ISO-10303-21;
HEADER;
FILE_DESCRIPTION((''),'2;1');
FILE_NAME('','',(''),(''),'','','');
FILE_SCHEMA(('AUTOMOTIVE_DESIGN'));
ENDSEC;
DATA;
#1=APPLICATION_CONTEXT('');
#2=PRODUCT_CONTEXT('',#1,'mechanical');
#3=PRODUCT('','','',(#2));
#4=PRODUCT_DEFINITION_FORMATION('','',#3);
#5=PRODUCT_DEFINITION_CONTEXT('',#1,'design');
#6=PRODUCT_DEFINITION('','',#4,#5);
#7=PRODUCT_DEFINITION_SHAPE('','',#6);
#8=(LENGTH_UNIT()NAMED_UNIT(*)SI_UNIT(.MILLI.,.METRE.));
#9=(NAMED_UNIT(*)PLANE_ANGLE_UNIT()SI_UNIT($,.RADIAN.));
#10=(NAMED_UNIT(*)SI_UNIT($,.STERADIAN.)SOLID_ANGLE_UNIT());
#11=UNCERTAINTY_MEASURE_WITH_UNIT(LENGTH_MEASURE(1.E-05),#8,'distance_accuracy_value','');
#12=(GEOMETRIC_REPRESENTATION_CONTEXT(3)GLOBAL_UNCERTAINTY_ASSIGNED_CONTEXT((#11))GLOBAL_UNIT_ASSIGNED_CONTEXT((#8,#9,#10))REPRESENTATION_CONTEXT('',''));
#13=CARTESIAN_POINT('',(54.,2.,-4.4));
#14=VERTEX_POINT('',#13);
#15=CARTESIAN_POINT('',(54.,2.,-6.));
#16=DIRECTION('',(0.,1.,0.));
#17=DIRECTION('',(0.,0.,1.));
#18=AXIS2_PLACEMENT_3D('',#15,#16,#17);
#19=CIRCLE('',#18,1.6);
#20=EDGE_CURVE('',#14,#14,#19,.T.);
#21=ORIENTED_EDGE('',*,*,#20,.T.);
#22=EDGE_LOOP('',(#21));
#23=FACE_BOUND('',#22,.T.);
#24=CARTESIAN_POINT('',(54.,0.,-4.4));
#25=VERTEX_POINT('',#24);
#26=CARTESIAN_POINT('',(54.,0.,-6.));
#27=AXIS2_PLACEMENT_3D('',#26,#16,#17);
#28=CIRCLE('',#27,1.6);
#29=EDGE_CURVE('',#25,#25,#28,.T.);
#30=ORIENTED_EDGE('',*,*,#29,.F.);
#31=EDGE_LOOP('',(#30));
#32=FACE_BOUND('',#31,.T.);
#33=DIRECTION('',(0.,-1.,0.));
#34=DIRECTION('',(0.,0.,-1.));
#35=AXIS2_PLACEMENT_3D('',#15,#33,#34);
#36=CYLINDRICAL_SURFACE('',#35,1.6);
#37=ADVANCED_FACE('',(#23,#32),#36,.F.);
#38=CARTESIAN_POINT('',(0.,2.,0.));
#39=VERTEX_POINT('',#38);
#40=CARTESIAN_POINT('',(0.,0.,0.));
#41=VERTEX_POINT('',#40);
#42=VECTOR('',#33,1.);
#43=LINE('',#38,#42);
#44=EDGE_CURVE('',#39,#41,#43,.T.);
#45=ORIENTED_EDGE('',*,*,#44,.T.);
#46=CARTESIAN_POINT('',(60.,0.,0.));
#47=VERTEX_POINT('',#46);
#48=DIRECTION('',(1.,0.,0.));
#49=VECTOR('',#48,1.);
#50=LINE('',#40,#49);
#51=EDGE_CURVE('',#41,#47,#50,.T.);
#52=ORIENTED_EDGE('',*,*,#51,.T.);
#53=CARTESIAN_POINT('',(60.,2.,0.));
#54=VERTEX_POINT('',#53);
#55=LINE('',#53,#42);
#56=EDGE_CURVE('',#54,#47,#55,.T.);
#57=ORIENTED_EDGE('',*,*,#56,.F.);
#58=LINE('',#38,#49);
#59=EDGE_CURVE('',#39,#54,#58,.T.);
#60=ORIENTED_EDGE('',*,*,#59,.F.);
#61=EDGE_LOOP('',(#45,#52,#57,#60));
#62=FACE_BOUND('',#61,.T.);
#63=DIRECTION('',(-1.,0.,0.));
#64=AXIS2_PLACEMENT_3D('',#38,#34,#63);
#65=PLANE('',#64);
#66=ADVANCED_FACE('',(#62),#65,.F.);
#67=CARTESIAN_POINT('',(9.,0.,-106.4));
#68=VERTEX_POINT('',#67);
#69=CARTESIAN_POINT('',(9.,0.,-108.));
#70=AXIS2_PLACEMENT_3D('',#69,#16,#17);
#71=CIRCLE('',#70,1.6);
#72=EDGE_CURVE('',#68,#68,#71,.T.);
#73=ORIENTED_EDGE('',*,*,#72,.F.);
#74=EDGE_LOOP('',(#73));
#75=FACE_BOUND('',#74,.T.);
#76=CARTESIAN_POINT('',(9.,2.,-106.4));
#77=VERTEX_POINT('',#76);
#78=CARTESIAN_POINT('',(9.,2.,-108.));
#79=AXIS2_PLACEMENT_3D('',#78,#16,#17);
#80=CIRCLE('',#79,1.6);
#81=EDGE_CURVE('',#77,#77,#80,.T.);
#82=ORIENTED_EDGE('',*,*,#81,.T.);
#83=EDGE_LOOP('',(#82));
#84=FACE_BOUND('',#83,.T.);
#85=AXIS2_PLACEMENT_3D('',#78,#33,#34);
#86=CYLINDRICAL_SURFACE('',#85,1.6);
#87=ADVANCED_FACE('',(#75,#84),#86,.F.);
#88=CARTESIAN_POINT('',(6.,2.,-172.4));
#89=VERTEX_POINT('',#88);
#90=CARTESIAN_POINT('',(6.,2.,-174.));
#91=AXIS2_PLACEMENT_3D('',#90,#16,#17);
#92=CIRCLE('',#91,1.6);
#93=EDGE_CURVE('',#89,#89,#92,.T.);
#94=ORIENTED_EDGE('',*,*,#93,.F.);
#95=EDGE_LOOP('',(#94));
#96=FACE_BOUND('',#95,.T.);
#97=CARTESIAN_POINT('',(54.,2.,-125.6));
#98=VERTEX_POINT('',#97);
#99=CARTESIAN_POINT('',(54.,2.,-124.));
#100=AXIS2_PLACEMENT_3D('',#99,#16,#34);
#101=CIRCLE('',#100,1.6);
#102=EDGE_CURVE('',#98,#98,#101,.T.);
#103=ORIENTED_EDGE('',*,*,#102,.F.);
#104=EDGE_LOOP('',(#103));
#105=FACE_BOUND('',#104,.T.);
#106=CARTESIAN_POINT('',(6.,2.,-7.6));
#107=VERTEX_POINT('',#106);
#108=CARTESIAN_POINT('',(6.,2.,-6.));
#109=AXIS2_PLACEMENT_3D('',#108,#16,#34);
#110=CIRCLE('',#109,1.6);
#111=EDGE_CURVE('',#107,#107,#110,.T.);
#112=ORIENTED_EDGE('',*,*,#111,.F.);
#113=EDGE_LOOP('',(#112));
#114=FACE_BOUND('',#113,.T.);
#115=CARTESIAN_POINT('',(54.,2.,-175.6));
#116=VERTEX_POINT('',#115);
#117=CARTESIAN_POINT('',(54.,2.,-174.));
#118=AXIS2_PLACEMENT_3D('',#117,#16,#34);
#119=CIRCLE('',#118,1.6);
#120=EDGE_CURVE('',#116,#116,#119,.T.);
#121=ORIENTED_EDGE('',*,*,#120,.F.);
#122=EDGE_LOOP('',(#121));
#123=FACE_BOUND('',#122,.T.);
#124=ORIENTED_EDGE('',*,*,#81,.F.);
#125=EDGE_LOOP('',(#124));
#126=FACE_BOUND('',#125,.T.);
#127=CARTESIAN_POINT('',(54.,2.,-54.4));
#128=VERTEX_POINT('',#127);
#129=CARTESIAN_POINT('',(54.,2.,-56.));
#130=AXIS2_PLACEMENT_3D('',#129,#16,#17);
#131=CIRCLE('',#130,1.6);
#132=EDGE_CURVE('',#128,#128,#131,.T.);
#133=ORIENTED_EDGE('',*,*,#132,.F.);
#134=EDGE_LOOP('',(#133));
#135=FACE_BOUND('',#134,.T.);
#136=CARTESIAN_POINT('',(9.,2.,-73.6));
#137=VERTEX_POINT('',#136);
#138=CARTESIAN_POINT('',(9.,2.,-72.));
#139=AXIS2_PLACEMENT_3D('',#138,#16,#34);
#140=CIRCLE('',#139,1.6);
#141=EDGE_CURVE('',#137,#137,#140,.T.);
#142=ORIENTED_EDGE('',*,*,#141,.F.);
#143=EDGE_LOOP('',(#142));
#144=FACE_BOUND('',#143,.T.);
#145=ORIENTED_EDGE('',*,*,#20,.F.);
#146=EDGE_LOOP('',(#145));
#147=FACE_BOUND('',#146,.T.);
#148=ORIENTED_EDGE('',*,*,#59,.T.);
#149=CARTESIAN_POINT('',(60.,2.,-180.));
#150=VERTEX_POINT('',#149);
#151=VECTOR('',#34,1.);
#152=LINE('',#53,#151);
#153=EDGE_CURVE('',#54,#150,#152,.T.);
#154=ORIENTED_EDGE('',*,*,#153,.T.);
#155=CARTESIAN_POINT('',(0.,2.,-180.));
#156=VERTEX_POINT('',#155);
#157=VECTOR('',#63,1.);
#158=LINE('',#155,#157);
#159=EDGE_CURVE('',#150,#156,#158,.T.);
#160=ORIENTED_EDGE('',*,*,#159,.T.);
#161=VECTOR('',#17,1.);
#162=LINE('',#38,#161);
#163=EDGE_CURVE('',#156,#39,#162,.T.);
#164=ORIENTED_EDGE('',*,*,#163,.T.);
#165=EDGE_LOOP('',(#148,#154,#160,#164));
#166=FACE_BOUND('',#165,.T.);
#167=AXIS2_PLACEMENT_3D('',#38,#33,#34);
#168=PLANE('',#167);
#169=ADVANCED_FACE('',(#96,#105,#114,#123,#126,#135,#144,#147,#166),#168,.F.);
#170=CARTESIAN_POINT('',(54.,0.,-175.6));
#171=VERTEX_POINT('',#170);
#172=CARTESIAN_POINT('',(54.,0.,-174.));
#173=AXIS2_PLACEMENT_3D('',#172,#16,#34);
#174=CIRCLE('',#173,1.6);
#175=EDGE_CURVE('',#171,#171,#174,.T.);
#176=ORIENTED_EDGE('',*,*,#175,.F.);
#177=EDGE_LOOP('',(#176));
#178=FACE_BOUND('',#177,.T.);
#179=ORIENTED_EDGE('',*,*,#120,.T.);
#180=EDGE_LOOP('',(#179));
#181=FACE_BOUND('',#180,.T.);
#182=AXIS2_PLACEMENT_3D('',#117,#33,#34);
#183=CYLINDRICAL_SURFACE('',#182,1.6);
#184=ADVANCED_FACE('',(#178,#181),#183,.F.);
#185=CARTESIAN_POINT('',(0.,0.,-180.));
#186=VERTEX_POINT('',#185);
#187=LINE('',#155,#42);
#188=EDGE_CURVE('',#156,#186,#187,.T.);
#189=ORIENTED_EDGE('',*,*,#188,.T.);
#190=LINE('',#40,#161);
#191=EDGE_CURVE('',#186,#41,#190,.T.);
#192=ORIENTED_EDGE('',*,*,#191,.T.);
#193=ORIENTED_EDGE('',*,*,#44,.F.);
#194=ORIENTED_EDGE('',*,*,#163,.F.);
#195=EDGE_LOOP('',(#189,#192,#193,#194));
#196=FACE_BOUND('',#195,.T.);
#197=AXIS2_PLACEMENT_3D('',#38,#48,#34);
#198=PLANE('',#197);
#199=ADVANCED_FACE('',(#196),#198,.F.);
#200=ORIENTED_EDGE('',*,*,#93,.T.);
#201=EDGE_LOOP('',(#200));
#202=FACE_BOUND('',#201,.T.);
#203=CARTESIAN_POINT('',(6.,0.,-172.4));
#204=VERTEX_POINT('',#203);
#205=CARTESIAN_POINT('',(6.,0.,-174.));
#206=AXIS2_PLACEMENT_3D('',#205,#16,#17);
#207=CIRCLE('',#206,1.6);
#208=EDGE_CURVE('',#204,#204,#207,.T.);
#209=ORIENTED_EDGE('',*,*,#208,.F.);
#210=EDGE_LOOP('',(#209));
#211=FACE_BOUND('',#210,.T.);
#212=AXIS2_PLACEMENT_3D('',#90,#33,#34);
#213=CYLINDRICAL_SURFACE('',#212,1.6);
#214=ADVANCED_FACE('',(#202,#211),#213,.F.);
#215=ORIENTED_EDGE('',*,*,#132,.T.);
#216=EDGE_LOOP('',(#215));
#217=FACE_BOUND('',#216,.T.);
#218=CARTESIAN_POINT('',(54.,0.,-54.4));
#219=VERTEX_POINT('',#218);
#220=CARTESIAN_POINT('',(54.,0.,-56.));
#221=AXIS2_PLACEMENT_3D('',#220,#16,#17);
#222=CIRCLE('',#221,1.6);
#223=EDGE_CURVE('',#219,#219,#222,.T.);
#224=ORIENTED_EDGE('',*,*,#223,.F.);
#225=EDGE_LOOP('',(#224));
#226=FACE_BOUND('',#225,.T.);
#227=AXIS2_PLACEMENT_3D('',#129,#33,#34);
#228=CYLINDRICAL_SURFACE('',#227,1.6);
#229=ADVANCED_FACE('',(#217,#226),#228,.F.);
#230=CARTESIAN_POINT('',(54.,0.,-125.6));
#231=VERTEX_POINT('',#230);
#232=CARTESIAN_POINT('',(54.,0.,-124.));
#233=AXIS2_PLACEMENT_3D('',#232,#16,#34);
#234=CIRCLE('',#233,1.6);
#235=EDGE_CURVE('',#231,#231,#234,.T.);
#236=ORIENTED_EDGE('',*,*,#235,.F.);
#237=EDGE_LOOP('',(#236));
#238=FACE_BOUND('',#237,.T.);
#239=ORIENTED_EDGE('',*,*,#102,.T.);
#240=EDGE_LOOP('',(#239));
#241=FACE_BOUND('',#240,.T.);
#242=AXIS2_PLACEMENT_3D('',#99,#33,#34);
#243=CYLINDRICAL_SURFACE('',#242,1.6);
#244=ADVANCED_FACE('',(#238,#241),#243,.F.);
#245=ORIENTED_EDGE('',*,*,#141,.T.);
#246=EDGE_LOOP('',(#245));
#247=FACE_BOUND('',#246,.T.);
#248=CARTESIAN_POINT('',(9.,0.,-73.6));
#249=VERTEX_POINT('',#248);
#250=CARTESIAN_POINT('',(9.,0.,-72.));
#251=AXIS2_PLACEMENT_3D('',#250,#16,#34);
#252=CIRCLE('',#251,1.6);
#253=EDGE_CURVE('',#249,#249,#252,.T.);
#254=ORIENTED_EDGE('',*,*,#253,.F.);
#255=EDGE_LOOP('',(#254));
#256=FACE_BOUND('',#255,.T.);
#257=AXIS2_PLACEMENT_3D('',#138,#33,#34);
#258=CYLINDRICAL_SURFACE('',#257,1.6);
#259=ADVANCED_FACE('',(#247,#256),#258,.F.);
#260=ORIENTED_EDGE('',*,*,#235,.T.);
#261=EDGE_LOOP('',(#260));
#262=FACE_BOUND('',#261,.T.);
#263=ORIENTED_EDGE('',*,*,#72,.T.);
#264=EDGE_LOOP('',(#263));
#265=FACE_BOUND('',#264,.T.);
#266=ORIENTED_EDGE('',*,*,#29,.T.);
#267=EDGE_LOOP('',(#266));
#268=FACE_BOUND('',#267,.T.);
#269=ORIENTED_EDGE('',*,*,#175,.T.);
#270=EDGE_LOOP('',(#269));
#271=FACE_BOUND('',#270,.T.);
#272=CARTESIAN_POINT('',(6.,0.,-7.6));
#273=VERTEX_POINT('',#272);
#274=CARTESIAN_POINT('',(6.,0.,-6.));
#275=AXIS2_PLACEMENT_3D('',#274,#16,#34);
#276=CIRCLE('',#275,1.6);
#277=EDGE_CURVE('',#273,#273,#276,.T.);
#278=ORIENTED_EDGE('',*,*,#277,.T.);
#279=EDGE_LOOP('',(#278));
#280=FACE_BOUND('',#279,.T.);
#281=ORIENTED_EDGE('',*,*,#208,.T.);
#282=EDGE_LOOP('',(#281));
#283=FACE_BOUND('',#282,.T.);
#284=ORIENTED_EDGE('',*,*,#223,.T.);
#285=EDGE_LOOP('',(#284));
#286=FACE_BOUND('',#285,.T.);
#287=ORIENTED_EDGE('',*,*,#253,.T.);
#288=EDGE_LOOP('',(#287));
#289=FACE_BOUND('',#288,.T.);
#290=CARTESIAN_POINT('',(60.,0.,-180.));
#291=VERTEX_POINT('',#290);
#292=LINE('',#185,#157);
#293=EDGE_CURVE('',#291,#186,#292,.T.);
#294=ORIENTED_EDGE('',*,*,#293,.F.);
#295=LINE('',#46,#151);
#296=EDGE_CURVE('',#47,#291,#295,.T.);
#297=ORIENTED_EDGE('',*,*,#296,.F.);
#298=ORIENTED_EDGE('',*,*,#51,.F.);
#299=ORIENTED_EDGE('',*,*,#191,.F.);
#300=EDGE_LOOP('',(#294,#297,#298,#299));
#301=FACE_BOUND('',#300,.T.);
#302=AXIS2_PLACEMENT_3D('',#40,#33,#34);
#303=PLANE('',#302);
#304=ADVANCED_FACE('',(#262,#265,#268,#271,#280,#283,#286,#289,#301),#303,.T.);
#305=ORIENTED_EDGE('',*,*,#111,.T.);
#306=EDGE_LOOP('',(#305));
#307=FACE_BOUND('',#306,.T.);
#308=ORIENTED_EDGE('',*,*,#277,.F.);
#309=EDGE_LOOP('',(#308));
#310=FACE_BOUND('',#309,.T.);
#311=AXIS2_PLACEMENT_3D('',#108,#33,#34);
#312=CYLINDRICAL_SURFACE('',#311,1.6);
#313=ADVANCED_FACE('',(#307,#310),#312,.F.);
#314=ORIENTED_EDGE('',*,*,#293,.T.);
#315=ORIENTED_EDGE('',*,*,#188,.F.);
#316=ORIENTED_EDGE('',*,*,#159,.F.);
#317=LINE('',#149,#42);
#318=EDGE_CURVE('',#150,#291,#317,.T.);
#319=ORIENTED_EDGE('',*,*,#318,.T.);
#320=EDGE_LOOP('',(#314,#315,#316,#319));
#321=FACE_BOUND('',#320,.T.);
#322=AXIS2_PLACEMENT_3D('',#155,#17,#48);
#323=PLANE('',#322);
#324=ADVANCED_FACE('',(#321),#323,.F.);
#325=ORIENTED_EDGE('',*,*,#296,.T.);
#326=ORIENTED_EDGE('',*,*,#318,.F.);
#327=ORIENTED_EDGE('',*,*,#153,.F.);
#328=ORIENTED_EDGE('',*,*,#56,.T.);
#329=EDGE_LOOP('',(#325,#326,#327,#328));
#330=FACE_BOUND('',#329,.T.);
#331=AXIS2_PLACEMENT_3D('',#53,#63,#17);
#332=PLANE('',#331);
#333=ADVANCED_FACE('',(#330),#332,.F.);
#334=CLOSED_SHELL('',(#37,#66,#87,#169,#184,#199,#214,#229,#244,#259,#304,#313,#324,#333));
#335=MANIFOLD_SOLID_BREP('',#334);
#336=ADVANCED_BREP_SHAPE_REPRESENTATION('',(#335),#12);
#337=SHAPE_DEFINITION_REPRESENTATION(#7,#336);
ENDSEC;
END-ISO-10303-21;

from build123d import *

# Parameters (mm, degrees)
SKETCH_1_W      = 60
SKETCH_1_H      = 180
SKETCH_1_R      = 1.6
EXTRUDE_1_DEPTH = 2


with BuildPart() as part:
    # 草图1 → 凸台-拉伸1 (new body)
    with BuildSketch(Plane(origin=(0, 0, 0), x_dir=(1, 0, 0), z_dir=(0, 1, 0))):
        with Locations((30, 90)):
            Rectangle(SKETCH_1_W, SKETCH_1_H)
        with Locations(Location((54, 56, 0), (0, 0, 270))):
            Circle(SKETCH_1_R, mode=Mode.SUBTRACT)
        with Locations(Location((54, 124, 0), (0, 0, 90))):
            Circle(SKETCH_1_R, mode=Mode.SUBTRACT)
        with Locations(Location((9, 108, 0), (0, 0, 270))):
            Circle(SKETCH_1_R, mode=Mode.SUBTRACT)
        with Locations(Location((9, 72, 0), (0, 0, 90))):
            Circle(SKETCH_1_R, mode=Mode.SUBTRACT)
        with Locations(Location((6, 174, 0), (0, 0, 270))):
            Circle(SKETCH_1_R, mode=Mode.SUBTRACT)
        with Locations(Location((54, 174, 0), (0, 0, 90))):
            Circle(SKETCH_1_R, mode=Mode.SUBTRACT)
        with Locations(Location((54, 6, 0), (0, 0, 270))):
            Circle(SKETCH_1_R, mode=Mode.SUBTRACT)
        with Locations(Location((6, 6, 0), (0, 0, 90))):
            Circle(SKETCH_1_R, mode=Mode.SUBTRACT)
    extrude(amount=EXTRUDE_1_DEPTH)


solid = part.part
